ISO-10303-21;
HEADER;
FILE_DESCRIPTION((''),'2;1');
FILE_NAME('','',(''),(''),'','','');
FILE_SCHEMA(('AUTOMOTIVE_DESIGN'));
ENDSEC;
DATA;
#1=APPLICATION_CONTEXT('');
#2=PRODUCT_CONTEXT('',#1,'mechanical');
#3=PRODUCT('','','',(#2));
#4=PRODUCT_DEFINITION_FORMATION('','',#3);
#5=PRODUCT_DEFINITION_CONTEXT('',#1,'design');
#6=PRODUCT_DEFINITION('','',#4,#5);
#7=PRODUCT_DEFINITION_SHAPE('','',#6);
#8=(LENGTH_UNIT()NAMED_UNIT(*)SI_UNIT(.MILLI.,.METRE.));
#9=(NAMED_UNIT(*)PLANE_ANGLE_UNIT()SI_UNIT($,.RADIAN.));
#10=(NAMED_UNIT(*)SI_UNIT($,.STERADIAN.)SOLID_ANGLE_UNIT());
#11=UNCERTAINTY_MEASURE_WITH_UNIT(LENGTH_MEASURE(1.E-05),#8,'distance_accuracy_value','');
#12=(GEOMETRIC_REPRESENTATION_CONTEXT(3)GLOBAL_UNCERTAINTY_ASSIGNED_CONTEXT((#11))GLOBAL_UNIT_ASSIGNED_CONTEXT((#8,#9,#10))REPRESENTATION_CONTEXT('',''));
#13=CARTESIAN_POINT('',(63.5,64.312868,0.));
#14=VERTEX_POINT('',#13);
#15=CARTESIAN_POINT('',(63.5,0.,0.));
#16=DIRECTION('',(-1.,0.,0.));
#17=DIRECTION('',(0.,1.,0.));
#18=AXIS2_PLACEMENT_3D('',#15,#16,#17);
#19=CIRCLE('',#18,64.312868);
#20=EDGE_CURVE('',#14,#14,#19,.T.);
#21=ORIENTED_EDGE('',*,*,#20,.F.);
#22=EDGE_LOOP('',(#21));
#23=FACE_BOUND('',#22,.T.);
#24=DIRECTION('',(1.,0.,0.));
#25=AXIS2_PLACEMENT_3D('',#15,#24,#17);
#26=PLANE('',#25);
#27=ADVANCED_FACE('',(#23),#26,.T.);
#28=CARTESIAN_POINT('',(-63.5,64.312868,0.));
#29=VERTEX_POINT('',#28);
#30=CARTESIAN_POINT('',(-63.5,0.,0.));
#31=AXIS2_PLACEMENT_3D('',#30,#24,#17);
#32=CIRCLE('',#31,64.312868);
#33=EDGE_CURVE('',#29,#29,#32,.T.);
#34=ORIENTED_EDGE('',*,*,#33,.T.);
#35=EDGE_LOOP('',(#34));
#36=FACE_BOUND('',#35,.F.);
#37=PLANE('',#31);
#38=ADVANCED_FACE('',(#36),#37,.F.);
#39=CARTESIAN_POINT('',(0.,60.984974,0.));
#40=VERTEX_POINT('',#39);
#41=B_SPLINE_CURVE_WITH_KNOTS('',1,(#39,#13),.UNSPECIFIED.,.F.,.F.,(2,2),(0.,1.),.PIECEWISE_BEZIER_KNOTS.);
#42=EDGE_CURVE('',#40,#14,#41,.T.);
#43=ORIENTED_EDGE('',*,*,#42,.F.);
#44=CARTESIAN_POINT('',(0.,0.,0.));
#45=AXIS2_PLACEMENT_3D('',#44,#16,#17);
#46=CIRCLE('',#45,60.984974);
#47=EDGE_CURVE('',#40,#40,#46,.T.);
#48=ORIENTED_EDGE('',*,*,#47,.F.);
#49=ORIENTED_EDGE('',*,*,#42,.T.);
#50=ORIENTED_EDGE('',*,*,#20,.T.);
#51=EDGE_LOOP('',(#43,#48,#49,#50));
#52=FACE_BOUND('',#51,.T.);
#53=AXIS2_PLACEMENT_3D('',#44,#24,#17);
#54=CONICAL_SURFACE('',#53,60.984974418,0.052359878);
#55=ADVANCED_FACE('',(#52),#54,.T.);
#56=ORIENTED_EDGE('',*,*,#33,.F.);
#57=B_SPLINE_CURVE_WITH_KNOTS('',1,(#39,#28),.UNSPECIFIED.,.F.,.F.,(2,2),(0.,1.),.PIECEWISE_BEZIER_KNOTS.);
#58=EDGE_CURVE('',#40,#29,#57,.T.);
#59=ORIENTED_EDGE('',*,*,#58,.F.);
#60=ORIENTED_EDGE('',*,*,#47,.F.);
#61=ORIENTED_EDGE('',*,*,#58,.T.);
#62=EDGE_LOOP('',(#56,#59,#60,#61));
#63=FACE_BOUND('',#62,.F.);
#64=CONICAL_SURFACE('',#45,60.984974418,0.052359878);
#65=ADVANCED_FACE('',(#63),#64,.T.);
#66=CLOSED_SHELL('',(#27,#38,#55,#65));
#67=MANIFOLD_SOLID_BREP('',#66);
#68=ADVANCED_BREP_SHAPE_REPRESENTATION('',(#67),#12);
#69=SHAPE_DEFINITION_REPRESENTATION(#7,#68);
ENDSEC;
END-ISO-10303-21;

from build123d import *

# Parameters (mm, degrees)
F0_R     = 60.9849744178
F1_DEPTH = 63.5
F1_TAPER = -3


with BuildPart() as f1:
    # F0 (on Right) → F1 (new body, symmetric)
    with BuildSketch(Plane.YZ):
        Circle(F0_R)
    extrude(amount=F1_DEPTH, both=True, taper=F1_TAPER)


solid = f1.part
